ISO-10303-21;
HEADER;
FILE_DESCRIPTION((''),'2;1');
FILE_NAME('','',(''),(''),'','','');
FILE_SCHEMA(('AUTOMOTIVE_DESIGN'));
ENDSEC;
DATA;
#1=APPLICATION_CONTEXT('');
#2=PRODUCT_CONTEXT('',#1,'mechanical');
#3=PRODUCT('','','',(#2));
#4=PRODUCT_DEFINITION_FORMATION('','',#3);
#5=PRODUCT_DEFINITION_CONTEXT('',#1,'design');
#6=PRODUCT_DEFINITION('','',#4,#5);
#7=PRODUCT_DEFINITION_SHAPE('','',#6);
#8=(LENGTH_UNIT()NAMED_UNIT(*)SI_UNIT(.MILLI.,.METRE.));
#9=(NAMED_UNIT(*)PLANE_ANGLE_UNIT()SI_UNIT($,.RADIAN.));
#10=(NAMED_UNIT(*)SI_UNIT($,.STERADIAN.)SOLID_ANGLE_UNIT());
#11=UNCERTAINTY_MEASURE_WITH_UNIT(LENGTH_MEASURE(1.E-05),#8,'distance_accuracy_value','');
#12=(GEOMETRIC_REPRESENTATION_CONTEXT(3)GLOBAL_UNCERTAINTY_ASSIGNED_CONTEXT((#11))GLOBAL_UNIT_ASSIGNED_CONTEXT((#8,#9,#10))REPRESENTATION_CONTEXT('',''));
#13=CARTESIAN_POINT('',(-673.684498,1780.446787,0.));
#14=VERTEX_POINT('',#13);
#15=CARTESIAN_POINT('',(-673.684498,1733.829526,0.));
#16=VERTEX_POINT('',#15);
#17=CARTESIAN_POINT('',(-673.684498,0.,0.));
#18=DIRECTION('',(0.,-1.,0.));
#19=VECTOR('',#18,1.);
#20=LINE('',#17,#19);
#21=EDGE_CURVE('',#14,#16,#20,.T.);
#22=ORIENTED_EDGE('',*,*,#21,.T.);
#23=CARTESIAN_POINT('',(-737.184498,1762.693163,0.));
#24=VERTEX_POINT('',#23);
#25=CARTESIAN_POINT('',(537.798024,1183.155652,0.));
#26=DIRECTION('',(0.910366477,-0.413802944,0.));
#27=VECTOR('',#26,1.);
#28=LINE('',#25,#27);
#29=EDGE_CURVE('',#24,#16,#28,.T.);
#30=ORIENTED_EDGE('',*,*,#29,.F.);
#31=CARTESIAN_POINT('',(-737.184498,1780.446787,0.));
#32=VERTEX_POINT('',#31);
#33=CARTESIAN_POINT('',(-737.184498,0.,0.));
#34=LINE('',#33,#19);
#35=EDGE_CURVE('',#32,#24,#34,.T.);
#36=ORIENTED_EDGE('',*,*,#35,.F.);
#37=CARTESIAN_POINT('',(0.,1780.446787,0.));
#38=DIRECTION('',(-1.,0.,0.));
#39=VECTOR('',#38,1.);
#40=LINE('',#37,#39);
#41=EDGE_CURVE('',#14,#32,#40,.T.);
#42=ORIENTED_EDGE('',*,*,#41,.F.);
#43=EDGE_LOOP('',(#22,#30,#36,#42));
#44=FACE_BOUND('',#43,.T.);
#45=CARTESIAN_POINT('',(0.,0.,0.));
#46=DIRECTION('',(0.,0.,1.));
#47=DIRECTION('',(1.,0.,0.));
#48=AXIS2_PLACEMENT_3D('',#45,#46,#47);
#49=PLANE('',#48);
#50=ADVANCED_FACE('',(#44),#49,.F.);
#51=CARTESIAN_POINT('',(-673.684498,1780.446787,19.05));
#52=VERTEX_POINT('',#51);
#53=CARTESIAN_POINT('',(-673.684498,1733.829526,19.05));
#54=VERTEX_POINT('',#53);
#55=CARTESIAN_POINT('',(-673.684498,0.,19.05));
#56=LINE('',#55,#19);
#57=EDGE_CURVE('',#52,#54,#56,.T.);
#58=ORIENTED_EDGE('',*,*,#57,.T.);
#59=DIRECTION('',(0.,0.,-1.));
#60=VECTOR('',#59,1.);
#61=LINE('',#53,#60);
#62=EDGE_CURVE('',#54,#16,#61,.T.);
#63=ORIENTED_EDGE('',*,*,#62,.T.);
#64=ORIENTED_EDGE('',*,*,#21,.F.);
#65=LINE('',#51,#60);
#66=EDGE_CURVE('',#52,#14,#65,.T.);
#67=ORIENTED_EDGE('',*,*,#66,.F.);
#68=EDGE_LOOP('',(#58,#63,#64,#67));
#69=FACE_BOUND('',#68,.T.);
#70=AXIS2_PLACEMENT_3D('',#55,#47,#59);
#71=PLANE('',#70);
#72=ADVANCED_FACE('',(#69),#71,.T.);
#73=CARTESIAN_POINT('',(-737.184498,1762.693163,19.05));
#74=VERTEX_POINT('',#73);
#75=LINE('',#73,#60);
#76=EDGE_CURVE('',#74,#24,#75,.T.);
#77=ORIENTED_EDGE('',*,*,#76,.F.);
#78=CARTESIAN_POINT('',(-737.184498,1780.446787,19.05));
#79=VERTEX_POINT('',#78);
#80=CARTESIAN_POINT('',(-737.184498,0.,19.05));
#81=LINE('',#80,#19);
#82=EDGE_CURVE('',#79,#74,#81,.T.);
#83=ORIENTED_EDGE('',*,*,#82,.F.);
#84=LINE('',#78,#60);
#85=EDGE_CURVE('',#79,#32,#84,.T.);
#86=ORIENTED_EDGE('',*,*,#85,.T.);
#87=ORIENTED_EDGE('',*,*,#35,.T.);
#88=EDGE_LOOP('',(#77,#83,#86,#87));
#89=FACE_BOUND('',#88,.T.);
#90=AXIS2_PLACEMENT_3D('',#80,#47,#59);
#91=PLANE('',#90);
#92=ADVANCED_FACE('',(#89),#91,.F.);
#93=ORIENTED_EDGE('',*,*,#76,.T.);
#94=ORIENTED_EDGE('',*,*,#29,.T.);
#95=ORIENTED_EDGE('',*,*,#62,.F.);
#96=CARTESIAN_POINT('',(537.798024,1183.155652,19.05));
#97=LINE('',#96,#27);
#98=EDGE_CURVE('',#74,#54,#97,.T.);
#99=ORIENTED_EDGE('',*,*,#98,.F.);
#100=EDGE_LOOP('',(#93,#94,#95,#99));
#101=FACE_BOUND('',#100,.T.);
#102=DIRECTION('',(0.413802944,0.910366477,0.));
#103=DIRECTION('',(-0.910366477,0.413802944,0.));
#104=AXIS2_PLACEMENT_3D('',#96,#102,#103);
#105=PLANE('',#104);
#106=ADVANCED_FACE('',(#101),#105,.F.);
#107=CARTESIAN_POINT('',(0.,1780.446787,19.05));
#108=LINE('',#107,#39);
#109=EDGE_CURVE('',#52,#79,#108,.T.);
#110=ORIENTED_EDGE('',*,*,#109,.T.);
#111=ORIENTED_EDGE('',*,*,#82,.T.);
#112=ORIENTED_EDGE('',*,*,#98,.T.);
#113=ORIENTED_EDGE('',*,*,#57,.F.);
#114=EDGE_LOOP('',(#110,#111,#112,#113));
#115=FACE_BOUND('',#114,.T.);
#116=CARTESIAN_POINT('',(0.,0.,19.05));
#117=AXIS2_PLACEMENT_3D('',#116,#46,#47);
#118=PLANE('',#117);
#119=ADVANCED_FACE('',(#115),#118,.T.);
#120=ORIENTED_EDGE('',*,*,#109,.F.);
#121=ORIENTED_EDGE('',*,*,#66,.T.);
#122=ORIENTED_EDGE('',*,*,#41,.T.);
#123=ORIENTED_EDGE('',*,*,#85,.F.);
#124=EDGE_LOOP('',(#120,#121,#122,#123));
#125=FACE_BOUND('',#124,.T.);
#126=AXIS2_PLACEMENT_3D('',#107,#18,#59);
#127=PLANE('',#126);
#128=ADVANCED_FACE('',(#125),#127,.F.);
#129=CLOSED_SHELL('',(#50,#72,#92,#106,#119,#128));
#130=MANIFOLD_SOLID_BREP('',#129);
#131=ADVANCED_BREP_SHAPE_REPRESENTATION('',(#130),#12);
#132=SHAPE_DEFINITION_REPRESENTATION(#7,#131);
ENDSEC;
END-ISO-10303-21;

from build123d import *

# Parameters (mm, degrees)
BOSS_EXTRUDE1_DEPTH = 19.05


with BuildPart() as part:
    # Sketch1 → Boss-Extrude1 (new body)
    with BuildSketch(Plane.XY):
        Polygon((-673.68449825, 1780.446787186), (-673.68449825, 1733.829526185), (-737.18449825, 1762.693162548), (-737.18449825, 1780.446787186), align=None)
    extrude(amount=BOSS_EXTRUDE1_DEPTH)


solid = part.part
